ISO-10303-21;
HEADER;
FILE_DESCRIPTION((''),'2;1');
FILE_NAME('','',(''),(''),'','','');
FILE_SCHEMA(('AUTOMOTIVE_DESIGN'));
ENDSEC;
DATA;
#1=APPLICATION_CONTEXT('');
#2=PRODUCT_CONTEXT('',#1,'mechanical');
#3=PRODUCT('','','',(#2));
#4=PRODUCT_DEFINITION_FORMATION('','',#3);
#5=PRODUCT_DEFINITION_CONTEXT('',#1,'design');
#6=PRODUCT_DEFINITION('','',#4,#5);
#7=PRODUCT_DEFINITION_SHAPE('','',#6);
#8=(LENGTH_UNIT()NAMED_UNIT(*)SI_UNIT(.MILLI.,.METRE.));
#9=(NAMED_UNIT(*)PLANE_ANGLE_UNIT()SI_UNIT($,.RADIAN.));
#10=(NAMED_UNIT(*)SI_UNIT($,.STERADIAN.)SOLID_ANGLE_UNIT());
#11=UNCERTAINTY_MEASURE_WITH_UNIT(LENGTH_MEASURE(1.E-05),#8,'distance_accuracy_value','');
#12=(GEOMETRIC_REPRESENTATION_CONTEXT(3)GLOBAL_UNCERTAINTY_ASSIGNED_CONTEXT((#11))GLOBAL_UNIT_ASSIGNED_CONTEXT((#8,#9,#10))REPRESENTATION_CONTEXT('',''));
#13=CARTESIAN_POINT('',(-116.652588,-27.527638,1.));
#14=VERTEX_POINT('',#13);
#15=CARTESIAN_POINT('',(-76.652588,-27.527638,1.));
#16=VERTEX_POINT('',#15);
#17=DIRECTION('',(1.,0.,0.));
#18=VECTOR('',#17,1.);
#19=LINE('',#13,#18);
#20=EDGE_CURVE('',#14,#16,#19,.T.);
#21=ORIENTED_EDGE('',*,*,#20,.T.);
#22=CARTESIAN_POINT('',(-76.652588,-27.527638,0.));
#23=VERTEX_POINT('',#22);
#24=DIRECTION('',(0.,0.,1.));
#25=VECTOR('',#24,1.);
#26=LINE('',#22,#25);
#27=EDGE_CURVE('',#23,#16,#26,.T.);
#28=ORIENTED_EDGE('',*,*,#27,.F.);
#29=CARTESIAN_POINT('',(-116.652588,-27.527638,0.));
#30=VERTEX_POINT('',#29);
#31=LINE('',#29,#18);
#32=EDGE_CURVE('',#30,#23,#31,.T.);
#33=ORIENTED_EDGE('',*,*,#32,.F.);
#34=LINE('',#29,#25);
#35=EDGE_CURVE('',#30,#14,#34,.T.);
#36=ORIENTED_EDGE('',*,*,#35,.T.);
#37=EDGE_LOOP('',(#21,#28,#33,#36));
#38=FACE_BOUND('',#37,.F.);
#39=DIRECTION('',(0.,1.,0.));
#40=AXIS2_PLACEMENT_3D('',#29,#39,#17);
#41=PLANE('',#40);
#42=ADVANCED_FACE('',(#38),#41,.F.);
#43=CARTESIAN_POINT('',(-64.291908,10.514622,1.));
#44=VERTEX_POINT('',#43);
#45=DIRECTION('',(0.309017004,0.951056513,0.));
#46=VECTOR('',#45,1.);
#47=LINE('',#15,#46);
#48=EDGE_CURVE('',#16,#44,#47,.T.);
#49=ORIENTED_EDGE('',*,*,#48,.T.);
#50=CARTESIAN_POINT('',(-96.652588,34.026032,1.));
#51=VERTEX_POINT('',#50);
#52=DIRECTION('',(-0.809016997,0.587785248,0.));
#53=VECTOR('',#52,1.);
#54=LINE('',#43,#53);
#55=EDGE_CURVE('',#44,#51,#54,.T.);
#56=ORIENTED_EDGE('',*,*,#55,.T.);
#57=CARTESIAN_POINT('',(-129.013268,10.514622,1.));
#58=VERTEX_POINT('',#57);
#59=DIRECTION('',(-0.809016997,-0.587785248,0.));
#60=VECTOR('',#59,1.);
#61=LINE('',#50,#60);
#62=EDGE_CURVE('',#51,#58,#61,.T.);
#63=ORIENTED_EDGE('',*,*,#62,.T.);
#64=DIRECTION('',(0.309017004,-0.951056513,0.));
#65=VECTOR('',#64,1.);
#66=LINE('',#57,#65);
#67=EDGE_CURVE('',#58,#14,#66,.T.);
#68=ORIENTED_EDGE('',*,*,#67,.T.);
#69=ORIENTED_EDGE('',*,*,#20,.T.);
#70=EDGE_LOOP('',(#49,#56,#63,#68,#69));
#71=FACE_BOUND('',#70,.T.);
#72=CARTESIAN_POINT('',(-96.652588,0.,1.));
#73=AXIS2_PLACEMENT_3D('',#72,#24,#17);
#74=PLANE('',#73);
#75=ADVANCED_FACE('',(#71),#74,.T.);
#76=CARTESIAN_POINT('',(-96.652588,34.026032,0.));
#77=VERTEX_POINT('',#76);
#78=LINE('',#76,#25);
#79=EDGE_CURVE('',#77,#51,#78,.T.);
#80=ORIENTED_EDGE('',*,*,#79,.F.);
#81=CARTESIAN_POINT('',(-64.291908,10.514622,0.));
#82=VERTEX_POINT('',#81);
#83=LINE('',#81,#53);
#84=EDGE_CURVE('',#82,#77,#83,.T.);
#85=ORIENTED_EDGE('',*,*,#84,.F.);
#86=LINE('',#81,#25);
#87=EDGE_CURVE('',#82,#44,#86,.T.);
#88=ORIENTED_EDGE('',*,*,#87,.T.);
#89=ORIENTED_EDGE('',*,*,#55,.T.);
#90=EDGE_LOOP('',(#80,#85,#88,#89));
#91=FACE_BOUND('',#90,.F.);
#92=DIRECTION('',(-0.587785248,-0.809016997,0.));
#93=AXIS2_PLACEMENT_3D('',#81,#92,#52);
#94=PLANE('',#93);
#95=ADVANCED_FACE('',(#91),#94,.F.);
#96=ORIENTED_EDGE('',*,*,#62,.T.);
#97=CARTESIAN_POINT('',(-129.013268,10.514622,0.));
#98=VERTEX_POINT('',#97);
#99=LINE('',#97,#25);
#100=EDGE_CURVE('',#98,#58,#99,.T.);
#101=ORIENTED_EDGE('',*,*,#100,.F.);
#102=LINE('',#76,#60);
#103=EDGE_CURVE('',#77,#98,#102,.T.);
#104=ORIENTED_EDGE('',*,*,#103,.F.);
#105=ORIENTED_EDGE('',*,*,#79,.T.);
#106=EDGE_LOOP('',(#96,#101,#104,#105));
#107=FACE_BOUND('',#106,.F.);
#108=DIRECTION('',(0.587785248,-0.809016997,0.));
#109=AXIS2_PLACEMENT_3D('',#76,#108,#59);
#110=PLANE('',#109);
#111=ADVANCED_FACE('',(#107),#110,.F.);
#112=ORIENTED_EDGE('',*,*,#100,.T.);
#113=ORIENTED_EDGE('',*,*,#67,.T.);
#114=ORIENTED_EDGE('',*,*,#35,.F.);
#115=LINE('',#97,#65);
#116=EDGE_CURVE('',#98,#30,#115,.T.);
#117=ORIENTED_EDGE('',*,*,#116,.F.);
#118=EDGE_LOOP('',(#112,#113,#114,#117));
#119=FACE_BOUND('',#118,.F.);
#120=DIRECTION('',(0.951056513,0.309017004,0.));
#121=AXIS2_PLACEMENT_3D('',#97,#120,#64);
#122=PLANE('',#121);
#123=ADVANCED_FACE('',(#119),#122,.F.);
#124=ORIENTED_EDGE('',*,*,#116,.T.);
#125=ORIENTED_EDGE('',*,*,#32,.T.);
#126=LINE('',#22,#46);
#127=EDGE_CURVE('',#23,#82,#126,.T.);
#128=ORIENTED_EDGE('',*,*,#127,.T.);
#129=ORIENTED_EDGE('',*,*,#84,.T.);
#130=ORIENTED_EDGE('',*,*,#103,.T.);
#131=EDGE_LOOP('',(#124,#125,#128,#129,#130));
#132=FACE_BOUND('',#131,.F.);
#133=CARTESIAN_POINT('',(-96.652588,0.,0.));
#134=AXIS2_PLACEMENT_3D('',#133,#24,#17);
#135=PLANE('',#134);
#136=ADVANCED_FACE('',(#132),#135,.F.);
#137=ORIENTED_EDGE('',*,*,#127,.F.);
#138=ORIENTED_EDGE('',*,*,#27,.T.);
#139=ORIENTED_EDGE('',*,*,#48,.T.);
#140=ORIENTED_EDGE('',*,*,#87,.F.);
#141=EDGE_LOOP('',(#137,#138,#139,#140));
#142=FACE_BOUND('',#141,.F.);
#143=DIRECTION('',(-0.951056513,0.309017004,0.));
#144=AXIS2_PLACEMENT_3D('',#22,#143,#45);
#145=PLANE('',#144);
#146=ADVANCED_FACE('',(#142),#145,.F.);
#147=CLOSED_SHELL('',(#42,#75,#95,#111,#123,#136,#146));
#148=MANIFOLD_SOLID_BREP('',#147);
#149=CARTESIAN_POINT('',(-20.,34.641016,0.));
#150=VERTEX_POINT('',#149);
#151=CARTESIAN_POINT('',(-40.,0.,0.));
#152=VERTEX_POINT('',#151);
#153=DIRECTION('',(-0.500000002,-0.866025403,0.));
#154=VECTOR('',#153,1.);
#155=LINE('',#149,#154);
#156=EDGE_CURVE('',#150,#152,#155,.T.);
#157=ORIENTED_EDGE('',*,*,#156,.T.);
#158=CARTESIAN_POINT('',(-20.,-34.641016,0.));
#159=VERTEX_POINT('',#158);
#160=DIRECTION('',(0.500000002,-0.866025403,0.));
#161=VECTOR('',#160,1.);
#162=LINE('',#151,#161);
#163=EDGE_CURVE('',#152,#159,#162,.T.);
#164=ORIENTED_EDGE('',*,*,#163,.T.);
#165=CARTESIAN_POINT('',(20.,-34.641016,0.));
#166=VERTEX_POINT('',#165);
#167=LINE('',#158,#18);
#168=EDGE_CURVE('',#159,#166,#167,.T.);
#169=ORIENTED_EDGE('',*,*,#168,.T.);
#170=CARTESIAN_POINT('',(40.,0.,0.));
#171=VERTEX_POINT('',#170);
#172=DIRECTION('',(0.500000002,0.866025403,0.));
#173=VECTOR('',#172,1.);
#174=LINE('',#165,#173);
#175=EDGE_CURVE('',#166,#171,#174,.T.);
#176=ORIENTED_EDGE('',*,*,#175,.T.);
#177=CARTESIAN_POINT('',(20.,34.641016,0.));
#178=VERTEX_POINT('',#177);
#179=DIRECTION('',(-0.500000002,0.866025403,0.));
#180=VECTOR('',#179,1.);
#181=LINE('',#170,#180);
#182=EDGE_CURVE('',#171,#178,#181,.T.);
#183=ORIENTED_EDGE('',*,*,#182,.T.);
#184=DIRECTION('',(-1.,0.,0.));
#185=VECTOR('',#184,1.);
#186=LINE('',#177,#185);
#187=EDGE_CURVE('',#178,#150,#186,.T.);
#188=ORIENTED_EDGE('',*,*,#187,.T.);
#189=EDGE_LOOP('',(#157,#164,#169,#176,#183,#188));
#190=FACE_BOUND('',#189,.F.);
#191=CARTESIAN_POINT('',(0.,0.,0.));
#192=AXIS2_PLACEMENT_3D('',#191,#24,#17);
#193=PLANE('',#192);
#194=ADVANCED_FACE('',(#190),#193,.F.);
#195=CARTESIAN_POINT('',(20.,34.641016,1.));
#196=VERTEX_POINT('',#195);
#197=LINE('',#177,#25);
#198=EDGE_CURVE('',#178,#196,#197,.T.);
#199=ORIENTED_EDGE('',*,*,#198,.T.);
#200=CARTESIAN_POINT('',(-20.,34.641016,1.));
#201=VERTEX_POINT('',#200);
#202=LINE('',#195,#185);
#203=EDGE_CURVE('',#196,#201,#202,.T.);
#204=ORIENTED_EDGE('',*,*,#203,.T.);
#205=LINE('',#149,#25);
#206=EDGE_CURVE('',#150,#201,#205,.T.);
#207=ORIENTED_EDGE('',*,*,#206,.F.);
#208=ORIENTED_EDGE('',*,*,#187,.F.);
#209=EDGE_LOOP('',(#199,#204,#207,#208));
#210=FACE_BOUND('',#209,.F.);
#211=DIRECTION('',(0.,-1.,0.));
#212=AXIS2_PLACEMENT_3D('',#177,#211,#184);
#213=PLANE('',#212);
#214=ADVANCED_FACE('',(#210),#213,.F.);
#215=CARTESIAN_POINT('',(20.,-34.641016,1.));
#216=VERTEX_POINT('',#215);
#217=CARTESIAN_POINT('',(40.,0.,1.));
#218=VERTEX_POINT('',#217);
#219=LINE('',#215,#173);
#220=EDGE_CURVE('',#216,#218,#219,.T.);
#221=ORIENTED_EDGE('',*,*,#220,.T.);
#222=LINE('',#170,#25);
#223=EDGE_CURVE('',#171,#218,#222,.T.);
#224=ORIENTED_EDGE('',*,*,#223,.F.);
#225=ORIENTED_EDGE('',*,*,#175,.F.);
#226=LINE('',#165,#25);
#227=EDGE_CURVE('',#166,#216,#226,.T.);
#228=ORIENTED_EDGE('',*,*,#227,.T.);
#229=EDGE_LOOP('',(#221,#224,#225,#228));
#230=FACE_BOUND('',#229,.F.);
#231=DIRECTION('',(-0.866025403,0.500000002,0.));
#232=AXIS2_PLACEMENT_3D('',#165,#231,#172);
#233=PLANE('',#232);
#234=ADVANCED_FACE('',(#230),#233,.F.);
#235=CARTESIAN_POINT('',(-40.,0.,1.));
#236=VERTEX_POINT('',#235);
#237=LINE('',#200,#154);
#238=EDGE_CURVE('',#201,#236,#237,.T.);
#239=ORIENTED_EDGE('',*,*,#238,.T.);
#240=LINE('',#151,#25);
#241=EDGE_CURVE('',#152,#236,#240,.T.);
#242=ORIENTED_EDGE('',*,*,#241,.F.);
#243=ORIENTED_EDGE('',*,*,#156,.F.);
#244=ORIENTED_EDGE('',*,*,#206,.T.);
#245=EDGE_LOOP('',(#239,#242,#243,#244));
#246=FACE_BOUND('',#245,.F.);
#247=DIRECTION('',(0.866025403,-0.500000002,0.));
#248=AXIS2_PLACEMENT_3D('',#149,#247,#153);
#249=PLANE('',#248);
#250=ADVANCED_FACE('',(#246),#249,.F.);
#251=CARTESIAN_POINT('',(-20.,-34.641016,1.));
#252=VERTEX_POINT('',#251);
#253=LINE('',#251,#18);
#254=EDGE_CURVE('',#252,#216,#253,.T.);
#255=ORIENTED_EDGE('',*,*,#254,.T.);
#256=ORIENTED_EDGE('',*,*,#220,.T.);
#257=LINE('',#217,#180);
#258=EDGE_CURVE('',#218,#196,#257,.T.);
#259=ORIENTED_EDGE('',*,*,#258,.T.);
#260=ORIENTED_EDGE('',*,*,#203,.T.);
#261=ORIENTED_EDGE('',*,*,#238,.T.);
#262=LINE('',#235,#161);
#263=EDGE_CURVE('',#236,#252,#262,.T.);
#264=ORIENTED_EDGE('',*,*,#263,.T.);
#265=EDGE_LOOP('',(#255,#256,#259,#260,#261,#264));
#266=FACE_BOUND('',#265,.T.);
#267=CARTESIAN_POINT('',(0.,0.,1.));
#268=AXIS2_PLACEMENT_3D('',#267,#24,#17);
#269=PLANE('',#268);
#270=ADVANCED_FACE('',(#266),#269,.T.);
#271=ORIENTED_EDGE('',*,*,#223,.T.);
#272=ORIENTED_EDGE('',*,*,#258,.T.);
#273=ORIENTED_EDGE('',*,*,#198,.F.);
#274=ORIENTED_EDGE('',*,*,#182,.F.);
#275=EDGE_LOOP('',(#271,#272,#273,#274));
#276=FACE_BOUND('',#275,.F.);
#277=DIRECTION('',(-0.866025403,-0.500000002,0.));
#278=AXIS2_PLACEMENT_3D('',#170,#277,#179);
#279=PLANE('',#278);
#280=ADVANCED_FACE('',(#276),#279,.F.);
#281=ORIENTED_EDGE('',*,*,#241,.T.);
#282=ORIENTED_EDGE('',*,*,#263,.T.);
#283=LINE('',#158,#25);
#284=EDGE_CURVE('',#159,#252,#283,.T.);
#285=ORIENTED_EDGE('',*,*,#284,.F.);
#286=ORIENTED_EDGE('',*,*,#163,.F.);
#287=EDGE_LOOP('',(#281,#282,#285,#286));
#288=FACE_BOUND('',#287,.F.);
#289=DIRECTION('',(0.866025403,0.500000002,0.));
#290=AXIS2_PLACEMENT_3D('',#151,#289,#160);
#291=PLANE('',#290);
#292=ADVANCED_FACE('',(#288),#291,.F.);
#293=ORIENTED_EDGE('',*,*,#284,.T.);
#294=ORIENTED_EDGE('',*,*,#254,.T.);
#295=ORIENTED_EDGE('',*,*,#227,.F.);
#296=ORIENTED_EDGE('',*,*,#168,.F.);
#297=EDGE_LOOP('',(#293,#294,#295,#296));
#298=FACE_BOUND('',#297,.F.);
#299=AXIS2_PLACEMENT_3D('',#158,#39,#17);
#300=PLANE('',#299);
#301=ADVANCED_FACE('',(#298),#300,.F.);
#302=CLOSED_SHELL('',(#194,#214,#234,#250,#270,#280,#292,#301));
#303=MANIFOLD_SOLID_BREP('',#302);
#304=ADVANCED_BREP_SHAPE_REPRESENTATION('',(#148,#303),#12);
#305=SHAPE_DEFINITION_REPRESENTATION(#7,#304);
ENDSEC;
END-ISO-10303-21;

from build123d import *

# Parameters (mm, degrees)
F1_DEPTH = 1
F3_DEPTH = 1


with BuildPart() as f1:
    # F0 (on Top) → F1 (new body)
    with BuildSketch(Plane.XY):
        Polygon((-20, -34.641016), (20, -34.641016), (40, 0), (20, 34.641016), (-20, 34.641016), (-40, 0), align=None)
    extrude(amount=F1_DEPTH)


with BuildPart() as f3:
    # F2 (on Top) → F3 (new body)
    with BuildSketch(Plane.XY):
        Polygon((-116.652588, -27.527638), (-76.652588, -27.527638), (-64.291908, 10.514622), (-96.652588, 34.026032), (-129.013268, 10.514622), align=None)
    extrude(amount=F3_DEPTH)


solid = Compound([f1.part, f3.part])
